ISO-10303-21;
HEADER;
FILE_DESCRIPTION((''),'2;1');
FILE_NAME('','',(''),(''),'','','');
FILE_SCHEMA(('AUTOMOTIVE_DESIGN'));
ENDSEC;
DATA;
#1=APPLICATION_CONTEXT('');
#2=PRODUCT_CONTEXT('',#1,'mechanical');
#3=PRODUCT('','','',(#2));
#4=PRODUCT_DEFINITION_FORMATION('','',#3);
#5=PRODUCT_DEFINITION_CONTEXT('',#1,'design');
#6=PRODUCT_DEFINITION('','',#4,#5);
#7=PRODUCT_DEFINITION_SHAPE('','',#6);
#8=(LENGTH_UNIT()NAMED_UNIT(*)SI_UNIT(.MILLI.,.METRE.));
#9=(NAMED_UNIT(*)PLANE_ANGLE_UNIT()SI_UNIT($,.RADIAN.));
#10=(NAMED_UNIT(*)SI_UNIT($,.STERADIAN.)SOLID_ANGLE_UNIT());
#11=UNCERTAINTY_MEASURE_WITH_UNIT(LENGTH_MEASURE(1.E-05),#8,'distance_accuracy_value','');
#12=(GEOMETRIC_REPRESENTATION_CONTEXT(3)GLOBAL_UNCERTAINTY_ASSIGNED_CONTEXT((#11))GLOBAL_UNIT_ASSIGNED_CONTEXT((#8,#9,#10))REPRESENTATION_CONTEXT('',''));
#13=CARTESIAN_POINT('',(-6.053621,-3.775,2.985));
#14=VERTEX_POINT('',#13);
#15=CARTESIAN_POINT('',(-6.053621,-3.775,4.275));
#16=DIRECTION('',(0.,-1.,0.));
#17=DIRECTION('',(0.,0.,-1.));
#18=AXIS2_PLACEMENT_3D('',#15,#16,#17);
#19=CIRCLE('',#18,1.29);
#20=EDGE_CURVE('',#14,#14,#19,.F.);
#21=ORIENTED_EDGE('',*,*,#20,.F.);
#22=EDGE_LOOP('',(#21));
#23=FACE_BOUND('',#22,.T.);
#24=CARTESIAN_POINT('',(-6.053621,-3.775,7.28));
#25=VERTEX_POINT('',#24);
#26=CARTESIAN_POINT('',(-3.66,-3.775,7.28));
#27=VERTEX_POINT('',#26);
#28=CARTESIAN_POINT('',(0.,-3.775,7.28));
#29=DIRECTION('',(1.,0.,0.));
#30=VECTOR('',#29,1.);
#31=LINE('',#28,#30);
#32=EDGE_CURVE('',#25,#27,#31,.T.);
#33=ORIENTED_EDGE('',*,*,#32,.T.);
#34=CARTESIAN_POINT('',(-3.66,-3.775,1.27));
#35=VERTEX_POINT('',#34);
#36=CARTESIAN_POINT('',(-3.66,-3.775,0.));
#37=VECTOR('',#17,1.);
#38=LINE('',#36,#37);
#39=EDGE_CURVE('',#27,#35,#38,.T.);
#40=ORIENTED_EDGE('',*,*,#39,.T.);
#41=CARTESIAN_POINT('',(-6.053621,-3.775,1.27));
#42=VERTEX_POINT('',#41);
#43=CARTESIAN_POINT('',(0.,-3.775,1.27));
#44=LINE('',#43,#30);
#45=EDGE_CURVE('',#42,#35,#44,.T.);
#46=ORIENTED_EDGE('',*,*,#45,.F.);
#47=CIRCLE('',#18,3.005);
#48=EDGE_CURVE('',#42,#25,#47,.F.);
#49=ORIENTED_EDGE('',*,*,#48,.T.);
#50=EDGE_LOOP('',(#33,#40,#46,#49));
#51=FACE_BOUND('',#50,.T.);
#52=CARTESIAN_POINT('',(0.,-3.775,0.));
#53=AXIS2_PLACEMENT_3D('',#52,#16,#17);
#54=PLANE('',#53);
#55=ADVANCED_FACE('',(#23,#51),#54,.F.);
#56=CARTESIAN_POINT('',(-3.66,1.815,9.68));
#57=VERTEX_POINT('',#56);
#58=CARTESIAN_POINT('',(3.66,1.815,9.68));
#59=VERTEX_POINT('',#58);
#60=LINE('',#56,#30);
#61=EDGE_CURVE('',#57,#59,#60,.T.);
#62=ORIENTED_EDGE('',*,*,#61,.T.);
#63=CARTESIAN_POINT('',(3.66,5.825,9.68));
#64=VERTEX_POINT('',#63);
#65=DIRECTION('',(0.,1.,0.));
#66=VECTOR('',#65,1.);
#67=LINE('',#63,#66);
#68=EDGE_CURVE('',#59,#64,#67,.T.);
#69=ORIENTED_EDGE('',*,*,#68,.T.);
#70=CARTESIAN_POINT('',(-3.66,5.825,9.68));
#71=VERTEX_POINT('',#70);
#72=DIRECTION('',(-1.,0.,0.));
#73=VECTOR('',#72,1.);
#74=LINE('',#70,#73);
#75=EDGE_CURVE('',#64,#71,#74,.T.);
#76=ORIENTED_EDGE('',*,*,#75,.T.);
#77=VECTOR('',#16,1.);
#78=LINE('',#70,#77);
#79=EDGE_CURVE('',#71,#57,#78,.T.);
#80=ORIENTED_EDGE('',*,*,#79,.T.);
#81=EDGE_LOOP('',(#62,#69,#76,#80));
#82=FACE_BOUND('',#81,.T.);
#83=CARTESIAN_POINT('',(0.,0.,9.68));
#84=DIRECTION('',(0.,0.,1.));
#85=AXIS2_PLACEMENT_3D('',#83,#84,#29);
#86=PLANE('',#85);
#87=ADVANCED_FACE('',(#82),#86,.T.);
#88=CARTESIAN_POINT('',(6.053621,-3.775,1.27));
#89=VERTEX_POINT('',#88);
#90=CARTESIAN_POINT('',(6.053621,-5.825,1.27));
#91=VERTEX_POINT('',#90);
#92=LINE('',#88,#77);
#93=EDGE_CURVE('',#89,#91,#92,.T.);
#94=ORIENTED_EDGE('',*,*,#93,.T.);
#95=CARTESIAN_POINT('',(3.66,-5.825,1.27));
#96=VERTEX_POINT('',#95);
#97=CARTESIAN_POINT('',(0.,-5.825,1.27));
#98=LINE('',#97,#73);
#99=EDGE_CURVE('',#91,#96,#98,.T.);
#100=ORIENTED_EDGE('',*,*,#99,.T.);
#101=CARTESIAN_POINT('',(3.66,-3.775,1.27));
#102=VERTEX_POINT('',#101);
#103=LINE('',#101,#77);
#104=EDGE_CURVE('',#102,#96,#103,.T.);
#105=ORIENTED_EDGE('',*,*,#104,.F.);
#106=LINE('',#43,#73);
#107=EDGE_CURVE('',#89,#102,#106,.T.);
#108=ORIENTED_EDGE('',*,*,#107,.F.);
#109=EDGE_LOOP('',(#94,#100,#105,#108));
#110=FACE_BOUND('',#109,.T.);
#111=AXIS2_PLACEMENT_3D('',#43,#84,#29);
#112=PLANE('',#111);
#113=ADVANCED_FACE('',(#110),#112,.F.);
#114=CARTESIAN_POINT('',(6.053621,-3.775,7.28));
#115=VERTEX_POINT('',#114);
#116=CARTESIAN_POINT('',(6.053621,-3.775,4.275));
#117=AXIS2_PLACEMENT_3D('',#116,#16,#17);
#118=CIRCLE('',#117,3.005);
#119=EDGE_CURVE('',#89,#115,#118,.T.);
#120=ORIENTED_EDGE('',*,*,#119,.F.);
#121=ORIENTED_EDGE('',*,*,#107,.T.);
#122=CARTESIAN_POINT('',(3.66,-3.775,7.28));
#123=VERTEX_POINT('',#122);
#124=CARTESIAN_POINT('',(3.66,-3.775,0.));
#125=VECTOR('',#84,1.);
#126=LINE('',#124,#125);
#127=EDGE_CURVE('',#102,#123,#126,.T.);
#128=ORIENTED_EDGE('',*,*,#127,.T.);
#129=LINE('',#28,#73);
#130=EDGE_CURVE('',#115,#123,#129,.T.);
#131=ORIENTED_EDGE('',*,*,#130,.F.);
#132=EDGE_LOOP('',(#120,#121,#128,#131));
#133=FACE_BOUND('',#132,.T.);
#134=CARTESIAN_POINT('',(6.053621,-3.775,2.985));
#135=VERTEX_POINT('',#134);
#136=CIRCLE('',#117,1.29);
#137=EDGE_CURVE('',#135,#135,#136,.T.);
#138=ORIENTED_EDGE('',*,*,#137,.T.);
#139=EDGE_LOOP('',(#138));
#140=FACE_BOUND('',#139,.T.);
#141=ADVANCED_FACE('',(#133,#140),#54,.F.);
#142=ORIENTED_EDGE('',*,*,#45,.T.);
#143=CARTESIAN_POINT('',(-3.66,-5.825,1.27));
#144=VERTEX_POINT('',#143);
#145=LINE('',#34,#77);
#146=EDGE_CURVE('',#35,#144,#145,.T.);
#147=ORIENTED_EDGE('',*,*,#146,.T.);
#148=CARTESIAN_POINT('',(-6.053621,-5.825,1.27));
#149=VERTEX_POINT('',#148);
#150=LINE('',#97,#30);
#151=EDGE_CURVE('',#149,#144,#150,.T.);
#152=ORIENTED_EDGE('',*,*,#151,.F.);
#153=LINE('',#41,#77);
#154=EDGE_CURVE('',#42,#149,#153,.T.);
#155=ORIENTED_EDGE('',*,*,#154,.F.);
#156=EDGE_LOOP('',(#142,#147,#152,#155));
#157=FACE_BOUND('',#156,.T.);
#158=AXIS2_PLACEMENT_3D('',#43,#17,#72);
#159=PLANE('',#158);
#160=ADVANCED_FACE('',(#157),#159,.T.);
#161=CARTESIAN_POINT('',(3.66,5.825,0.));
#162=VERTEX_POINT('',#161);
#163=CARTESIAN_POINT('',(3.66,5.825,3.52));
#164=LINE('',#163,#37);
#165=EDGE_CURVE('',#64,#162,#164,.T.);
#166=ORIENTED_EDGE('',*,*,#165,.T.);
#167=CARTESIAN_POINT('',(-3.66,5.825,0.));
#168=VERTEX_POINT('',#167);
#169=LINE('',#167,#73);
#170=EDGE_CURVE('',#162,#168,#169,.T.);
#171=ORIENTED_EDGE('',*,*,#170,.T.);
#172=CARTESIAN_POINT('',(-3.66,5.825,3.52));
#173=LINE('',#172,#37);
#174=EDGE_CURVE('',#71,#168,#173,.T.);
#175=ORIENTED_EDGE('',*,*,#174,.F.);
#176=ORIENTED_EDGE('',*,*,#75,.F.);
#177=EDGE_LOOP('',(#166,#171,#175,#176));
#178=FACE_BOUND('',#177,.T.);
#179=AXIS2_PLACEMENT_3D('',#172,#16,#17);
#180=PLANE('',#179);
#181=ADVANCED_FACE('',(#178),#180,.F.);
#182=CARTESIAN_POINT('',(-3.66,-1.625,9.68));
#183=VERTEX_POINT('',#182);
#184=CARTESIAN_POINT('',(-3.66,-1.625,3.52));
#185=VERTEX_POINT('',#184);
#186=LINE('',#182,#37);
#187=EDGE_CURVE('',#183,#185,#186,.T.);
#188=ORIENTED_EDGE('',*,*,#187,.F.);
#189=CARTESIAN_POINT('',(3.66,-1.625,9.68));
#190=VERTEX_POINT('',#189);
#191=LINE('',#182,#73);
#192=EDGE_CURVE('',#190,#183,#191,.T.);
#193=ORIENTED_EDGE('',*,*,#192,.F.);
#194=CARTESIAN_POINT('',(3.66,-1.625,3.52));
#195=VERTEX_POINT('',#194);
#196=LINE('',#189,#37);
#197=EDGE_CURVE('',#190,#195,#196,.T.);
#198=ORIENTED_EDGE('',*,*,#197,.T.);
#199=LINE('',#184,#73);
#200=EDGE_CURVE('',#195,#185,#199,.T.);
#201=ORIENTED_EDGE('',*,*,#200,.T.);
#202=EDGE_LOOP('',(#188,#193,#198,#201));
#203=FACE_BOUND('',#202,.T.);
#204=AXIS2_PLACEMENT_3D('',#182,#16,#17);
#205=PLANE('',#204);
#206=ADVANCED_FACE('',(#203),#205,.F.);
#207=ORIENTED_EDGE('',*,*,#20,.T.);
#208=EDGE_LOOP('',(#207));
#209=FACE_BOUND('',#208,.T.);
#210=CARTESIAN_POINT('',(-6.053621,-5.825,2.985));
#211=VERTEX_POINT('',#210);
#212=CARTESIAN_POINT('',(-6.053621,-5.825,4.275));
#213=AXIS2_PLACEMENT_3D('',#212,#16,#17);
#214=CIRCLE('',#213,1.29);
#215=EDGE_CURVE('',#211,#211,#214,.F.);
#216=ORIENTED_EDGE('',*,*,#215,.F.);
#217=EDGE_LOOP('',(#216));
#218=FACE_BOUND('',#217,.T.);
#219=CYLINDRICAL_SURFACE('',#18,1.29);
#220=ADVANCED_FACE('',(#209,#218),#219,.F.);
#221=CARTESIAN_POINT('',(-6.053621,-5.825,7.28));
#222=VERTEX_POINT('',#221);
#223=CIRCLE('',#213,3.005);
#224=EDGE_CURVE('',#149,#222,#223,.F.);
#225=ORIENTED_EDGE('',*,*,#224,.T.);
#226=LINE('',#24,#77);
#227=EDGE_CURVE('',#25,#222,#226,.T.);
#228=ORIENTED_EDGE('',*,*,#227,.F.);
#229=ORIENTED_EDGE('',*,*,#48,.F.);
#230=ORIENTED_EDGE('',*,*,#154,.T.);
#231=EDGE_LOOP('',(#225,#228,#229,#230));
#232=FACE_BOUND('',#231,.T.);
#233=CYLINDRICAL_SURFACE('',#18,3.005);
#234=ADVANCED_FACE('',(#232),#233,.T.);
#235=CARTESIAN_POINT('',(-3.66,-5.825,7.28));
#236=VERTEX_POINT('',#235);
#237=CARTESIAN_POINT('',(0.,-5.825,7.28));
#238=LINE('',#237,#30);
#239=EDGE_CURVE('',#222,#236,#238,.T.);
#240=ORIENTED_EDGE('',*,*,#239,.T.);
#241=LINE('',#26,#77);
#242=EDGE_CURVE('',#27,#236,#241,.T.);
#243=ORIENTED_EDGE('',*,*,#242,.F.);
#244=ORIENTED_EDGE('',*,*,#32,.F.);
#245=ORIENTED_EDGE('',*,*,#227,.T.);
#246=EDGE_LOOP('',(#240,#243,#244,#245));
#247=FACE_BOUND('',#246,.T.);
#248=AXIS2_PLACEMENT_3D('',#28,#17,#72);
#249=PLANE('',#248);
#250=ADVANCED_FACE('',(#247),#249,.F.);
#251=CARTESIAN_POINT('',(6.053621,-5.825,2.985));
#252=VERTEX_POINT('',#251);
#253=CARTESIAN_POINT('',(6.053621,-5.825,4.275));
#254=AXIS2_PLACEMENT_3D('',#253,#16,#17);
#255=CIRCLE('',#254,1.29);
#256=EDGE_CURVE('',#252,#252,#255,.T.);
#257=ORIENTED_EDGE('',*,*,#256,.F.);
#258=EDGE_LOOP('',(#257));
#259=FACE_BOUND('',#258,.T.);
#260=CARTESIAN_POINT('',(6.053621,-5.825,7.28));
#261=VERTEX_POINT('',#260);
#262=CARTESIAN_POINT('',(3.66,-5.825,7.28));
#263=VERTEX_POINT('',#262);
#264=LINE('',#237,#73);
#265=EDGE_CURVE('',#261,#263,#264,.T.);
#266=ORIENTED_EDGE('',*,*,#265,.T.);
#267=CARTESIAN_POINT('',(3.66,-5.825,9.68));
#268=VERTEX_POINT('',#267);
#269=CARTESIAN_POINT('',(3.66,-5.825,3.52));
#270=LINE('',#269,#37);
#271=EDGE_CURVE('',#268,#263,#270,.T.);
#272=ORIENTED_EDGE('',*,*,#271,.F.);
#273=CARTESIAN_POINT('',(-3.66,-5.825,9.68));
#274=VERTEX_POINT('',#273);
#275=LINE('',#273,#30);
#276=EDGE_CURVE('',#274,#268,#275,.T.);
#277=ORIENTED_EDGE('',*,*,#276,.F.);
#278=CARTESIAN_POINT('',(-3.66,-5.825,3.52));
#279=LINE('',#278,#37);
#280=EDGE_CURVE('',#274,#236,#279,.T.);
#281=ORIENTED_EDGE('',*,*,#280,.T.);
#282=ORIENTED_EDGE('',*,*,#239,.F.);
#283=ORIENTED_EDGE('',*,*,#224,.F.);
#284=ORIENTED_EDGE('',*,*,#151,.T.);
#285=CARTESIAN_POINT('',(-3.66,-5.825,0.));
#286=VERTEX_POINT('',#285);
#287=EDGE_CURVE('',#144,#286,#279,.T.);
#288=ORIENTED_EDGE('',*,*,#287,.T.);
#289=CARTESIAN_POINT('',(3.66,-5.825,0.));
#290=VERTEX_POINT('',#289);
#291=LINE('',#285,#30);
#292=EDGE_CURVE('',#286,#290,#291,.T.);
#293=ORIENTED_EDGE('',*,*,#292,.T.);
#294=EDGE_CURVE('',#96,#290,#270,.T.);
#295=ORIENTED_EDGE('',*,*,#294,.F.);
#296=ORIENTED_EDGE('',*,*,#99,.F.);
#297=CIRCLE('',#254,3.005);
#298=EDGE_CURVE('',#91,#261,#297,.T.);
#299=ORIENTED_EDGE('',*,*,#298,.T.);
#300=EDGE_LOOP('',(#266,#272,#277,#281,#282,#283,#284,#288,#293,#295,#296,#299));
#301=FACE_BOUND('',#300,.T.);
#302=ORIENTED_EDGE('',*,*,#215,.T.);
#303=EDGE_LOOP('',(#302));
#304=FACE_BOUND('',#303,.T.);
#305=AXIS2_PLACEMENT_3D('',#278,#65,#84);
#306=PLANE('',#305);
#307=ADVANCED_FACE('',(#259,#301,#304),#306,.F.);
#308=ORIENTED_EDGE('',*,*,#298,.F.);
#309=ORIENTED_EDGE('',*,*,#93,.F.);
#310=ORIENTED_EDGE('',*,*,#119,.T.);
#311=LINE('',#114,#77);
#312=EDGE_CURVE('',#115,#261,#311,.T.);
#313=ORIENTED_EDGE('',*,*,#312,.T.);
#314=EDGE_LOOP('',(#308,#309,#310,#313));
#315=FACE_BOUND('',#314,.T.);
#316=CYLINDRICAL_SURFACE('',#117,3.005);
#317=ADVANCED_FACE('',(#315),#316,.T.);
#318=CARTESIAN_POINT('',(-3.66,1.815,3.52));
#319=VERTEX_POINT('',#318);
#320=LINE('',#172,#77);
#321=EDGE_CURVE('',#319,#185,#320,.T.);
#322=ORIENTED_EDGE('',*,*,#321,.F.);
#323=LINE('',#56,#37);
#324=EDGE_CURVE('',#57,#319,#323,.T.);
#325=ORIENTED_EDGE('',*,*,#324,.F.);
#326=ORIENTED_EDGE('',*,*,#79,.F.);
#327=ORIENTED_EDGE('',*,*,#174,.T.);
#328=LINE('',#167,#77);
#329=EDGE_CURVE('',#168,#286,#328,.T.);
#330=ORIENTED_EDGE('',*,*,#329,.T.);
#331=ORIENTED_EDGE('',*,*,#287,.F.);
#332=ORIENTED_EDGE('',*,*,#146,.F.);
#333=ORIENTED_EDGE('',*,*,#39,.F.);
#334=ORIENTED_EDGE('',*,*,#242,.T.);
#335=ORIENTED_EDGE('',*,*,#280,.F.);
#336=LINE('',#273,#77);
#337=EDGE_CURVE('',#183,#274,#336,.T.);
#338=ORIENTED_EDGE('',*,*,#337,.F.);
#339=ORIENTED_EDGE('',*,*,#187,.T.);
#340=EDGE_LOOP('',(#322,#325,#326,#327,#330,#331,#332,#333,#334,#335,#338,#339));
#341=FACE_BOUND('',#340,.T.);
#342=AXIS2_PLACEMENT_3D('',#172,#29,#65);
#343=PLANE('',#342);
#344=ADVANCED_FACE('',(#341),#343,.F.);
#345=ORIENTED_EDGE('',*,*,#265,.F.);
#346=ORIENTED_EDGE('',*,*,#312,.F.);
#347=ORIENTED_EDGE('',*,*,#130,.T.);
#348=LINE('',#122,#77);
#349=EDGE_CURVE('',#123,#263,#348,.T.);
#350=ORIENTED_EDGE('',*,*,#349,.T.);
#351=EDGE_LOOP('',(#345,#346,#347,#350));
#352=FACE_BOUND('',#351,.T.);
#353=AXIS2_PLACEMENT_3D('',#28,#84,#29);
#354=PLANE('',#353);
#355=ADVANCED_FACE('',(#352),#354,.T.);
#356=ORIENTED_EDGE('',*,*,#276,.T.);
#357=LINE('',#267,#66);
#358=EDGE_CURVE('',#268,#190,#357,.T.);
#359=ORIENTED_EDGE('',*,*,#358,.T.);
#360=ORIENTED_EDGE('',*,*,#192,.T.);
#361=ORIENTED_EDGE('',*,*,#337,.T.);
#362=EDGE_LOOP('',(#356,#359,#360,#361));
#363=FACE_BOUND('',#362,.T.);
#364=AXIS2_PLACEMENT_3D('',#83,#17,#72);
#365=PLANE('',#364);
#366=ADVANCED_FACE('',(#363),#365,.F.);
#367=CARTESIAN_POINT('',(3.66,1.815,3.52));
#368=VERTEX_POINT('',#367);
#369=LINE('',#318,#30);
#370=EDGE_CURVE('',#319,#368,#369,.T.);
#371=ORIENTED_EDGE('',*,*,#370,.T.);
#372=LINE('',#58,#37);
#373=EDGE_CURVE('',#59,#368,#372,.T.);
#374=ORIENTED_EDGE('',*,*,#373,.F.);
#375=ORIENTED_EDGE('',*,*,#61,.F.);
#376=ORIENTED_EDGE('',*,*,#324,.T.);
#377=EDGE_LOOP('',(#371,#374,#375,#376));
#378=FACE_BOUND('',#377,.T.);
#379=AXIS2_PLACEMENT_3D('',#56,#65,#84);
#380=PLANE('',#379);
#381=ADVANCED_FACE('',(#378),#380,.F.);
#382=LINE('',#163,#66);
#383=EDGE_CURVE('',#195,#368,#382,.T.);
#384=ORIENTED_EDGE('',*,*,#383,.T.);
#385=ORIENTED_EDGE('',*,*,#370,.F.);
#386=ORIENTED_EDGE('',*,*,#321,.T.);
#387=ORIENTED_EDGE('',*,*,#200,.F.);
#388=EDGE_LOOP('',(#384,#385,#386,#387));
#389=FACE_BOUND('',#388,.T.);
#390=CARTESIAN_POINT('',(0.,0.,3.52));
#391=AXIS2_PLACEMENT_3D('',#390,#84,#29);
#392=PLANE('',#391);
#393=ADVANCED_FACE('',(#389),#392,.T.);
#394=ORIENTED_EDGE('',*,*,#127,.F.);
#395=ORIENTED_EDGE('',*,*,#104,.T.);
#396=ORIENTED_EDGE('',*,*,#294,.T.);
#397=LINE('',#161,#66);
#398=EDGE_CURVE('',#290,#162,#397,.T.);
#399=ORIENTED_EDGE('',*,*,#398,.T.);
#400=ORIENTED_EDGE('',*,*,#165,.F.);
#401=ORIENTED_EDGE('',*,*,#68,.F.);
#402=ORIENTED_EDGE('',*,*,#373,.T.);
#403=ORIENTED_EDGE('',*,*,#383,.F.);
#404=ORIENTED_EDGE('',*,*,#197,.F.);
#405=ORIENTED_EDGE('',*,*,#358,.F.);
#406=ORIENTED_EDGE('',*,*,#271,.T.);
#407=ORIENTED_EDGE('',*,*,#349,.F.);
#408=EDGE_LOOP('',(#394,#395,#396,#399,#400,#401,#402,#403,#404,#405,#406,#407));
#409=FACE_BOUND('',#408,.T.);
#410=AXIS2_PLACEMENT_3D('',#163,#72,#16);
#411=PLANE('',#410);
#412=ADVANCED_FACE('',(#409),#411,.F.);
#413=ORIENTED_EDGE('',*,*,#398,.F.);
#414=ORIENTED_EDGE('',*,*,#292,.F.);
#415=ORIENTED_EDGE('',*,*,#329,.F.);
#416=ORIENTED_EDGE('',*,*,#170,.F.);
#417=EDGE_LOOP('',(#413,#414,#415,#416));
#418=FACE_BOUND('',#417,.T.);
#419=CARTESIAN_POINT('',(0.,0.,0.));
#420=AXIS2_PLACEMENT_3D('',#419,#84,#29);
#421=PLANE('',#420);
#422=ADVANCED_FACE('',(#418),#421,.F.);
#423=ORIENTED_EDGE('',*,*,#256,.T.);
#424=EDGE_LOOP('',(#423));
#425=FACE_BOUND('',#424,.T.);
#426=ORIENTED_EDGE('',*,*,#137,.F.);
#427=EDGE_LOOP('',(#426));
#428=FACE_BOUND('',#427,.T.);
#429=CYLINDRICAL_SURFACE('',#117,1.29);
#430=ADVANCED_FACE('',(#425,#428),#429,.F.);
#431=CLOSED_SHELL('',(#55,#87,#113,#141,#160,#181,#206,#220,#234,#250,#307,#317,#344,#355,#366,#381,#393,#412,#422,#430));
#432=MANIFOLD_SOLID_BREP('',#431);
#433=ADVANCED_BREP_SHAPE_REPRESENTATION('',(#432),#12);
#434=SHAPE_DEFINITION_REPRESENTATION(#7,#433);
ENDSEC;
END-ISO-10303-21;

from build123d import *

# Parameters (mm, degrees)
CROQUIS1_W              = 7.32
CROQUIS1_H              = 11.65
SALIENTE_EXTRUIR1_DEPTH = 3.52
CROQUIS2_W              = 7.32
CROQUIS2_H              = 4.2
CROQUIS2_H_2            = 4.01
SALIENTE_EXTRUIR2_DEPTH = 6.16
CROQUIS3_R              = 1.29
SALIENTE_EXTRUIR3_DEPTH = 2.05


with BuildPart() as part:
    # Croquis1 → Saliente-Extruir1 (new body)
    with BuildSketch(Plane.XY):
        Rectangle(CROQUIS1_W, CROQUIS1_H)
    extrude(amount=SALIENTE_EXTRUIR1_DEPTH)

    # Croquis2 → Saliente-Extruir2 (add)
    with BuildSketch(Plane.XY.offset(3.52)):
        with Locations((0, -3.725)):
            Rectangle(CROQUIS2_W, CROQUIS2_H)
        with Locations((0, 3.82)):
            Rectangle(CROQUIS2_W, CROQUIS2_H_2)
    extrude(amount=SALIENTE_EXTRUIR2_DEPTH)

    # Croquis3 → Saliente-Extruir3 (add)
    # profile 1 of 2: a face of its own
    with BuildSketch(Plane(origin=(0, -5.825, 0), x_dir=(-1, 0, 0), z_dir=(0, -1, 0))):
        with BuildLine():
            ThreePointArc((-6.0536211, -1.27), (-9.0586211, -4.275), (-6.0536211, -7.28))
            Line((-6.0536211, -7.28), (-3.66, -7.28))
            Line((-3.66, -7.28), (-3.66, -1.27))
            Line((-3.66, -1.27), (-6.0536211, -1.27))
        make_face()
        with Locations(Location((-6.0536211, -4.275, 0), (0, 0, 90))):
            Circle(CROQUIS3_R, mode=Mode.SUBTRACT)
    # profile 2 of 2: a face of its own
    with BuildSketch(Plane(origin=(0, -5.825, 0), x_dir=(-1, 0, 0), z_dir=(0, -1, 0))):
        with BuildLine():
            ThreePointArc((6.0536211, -7.28), (9.0586211, -4.275), (6.0536211, -1.27))
            Line((6.0536211, -1.27), (3.66, -1.27))
            Line((3.66, -1.27), (3.66, -7.28))
            Line((3.66, -7.28), (6.0536211, -7.28))
        make_face()
        with Locations(Location((6.0536211, -4.275, 0), (0, 0, 90))):
            Circle(CROQUIS3_R, mode=Mode.SUBTRACT)
    extrude(amount=-SALIENTE_EXTRUIR3_DEPTH)


solid = part.part
